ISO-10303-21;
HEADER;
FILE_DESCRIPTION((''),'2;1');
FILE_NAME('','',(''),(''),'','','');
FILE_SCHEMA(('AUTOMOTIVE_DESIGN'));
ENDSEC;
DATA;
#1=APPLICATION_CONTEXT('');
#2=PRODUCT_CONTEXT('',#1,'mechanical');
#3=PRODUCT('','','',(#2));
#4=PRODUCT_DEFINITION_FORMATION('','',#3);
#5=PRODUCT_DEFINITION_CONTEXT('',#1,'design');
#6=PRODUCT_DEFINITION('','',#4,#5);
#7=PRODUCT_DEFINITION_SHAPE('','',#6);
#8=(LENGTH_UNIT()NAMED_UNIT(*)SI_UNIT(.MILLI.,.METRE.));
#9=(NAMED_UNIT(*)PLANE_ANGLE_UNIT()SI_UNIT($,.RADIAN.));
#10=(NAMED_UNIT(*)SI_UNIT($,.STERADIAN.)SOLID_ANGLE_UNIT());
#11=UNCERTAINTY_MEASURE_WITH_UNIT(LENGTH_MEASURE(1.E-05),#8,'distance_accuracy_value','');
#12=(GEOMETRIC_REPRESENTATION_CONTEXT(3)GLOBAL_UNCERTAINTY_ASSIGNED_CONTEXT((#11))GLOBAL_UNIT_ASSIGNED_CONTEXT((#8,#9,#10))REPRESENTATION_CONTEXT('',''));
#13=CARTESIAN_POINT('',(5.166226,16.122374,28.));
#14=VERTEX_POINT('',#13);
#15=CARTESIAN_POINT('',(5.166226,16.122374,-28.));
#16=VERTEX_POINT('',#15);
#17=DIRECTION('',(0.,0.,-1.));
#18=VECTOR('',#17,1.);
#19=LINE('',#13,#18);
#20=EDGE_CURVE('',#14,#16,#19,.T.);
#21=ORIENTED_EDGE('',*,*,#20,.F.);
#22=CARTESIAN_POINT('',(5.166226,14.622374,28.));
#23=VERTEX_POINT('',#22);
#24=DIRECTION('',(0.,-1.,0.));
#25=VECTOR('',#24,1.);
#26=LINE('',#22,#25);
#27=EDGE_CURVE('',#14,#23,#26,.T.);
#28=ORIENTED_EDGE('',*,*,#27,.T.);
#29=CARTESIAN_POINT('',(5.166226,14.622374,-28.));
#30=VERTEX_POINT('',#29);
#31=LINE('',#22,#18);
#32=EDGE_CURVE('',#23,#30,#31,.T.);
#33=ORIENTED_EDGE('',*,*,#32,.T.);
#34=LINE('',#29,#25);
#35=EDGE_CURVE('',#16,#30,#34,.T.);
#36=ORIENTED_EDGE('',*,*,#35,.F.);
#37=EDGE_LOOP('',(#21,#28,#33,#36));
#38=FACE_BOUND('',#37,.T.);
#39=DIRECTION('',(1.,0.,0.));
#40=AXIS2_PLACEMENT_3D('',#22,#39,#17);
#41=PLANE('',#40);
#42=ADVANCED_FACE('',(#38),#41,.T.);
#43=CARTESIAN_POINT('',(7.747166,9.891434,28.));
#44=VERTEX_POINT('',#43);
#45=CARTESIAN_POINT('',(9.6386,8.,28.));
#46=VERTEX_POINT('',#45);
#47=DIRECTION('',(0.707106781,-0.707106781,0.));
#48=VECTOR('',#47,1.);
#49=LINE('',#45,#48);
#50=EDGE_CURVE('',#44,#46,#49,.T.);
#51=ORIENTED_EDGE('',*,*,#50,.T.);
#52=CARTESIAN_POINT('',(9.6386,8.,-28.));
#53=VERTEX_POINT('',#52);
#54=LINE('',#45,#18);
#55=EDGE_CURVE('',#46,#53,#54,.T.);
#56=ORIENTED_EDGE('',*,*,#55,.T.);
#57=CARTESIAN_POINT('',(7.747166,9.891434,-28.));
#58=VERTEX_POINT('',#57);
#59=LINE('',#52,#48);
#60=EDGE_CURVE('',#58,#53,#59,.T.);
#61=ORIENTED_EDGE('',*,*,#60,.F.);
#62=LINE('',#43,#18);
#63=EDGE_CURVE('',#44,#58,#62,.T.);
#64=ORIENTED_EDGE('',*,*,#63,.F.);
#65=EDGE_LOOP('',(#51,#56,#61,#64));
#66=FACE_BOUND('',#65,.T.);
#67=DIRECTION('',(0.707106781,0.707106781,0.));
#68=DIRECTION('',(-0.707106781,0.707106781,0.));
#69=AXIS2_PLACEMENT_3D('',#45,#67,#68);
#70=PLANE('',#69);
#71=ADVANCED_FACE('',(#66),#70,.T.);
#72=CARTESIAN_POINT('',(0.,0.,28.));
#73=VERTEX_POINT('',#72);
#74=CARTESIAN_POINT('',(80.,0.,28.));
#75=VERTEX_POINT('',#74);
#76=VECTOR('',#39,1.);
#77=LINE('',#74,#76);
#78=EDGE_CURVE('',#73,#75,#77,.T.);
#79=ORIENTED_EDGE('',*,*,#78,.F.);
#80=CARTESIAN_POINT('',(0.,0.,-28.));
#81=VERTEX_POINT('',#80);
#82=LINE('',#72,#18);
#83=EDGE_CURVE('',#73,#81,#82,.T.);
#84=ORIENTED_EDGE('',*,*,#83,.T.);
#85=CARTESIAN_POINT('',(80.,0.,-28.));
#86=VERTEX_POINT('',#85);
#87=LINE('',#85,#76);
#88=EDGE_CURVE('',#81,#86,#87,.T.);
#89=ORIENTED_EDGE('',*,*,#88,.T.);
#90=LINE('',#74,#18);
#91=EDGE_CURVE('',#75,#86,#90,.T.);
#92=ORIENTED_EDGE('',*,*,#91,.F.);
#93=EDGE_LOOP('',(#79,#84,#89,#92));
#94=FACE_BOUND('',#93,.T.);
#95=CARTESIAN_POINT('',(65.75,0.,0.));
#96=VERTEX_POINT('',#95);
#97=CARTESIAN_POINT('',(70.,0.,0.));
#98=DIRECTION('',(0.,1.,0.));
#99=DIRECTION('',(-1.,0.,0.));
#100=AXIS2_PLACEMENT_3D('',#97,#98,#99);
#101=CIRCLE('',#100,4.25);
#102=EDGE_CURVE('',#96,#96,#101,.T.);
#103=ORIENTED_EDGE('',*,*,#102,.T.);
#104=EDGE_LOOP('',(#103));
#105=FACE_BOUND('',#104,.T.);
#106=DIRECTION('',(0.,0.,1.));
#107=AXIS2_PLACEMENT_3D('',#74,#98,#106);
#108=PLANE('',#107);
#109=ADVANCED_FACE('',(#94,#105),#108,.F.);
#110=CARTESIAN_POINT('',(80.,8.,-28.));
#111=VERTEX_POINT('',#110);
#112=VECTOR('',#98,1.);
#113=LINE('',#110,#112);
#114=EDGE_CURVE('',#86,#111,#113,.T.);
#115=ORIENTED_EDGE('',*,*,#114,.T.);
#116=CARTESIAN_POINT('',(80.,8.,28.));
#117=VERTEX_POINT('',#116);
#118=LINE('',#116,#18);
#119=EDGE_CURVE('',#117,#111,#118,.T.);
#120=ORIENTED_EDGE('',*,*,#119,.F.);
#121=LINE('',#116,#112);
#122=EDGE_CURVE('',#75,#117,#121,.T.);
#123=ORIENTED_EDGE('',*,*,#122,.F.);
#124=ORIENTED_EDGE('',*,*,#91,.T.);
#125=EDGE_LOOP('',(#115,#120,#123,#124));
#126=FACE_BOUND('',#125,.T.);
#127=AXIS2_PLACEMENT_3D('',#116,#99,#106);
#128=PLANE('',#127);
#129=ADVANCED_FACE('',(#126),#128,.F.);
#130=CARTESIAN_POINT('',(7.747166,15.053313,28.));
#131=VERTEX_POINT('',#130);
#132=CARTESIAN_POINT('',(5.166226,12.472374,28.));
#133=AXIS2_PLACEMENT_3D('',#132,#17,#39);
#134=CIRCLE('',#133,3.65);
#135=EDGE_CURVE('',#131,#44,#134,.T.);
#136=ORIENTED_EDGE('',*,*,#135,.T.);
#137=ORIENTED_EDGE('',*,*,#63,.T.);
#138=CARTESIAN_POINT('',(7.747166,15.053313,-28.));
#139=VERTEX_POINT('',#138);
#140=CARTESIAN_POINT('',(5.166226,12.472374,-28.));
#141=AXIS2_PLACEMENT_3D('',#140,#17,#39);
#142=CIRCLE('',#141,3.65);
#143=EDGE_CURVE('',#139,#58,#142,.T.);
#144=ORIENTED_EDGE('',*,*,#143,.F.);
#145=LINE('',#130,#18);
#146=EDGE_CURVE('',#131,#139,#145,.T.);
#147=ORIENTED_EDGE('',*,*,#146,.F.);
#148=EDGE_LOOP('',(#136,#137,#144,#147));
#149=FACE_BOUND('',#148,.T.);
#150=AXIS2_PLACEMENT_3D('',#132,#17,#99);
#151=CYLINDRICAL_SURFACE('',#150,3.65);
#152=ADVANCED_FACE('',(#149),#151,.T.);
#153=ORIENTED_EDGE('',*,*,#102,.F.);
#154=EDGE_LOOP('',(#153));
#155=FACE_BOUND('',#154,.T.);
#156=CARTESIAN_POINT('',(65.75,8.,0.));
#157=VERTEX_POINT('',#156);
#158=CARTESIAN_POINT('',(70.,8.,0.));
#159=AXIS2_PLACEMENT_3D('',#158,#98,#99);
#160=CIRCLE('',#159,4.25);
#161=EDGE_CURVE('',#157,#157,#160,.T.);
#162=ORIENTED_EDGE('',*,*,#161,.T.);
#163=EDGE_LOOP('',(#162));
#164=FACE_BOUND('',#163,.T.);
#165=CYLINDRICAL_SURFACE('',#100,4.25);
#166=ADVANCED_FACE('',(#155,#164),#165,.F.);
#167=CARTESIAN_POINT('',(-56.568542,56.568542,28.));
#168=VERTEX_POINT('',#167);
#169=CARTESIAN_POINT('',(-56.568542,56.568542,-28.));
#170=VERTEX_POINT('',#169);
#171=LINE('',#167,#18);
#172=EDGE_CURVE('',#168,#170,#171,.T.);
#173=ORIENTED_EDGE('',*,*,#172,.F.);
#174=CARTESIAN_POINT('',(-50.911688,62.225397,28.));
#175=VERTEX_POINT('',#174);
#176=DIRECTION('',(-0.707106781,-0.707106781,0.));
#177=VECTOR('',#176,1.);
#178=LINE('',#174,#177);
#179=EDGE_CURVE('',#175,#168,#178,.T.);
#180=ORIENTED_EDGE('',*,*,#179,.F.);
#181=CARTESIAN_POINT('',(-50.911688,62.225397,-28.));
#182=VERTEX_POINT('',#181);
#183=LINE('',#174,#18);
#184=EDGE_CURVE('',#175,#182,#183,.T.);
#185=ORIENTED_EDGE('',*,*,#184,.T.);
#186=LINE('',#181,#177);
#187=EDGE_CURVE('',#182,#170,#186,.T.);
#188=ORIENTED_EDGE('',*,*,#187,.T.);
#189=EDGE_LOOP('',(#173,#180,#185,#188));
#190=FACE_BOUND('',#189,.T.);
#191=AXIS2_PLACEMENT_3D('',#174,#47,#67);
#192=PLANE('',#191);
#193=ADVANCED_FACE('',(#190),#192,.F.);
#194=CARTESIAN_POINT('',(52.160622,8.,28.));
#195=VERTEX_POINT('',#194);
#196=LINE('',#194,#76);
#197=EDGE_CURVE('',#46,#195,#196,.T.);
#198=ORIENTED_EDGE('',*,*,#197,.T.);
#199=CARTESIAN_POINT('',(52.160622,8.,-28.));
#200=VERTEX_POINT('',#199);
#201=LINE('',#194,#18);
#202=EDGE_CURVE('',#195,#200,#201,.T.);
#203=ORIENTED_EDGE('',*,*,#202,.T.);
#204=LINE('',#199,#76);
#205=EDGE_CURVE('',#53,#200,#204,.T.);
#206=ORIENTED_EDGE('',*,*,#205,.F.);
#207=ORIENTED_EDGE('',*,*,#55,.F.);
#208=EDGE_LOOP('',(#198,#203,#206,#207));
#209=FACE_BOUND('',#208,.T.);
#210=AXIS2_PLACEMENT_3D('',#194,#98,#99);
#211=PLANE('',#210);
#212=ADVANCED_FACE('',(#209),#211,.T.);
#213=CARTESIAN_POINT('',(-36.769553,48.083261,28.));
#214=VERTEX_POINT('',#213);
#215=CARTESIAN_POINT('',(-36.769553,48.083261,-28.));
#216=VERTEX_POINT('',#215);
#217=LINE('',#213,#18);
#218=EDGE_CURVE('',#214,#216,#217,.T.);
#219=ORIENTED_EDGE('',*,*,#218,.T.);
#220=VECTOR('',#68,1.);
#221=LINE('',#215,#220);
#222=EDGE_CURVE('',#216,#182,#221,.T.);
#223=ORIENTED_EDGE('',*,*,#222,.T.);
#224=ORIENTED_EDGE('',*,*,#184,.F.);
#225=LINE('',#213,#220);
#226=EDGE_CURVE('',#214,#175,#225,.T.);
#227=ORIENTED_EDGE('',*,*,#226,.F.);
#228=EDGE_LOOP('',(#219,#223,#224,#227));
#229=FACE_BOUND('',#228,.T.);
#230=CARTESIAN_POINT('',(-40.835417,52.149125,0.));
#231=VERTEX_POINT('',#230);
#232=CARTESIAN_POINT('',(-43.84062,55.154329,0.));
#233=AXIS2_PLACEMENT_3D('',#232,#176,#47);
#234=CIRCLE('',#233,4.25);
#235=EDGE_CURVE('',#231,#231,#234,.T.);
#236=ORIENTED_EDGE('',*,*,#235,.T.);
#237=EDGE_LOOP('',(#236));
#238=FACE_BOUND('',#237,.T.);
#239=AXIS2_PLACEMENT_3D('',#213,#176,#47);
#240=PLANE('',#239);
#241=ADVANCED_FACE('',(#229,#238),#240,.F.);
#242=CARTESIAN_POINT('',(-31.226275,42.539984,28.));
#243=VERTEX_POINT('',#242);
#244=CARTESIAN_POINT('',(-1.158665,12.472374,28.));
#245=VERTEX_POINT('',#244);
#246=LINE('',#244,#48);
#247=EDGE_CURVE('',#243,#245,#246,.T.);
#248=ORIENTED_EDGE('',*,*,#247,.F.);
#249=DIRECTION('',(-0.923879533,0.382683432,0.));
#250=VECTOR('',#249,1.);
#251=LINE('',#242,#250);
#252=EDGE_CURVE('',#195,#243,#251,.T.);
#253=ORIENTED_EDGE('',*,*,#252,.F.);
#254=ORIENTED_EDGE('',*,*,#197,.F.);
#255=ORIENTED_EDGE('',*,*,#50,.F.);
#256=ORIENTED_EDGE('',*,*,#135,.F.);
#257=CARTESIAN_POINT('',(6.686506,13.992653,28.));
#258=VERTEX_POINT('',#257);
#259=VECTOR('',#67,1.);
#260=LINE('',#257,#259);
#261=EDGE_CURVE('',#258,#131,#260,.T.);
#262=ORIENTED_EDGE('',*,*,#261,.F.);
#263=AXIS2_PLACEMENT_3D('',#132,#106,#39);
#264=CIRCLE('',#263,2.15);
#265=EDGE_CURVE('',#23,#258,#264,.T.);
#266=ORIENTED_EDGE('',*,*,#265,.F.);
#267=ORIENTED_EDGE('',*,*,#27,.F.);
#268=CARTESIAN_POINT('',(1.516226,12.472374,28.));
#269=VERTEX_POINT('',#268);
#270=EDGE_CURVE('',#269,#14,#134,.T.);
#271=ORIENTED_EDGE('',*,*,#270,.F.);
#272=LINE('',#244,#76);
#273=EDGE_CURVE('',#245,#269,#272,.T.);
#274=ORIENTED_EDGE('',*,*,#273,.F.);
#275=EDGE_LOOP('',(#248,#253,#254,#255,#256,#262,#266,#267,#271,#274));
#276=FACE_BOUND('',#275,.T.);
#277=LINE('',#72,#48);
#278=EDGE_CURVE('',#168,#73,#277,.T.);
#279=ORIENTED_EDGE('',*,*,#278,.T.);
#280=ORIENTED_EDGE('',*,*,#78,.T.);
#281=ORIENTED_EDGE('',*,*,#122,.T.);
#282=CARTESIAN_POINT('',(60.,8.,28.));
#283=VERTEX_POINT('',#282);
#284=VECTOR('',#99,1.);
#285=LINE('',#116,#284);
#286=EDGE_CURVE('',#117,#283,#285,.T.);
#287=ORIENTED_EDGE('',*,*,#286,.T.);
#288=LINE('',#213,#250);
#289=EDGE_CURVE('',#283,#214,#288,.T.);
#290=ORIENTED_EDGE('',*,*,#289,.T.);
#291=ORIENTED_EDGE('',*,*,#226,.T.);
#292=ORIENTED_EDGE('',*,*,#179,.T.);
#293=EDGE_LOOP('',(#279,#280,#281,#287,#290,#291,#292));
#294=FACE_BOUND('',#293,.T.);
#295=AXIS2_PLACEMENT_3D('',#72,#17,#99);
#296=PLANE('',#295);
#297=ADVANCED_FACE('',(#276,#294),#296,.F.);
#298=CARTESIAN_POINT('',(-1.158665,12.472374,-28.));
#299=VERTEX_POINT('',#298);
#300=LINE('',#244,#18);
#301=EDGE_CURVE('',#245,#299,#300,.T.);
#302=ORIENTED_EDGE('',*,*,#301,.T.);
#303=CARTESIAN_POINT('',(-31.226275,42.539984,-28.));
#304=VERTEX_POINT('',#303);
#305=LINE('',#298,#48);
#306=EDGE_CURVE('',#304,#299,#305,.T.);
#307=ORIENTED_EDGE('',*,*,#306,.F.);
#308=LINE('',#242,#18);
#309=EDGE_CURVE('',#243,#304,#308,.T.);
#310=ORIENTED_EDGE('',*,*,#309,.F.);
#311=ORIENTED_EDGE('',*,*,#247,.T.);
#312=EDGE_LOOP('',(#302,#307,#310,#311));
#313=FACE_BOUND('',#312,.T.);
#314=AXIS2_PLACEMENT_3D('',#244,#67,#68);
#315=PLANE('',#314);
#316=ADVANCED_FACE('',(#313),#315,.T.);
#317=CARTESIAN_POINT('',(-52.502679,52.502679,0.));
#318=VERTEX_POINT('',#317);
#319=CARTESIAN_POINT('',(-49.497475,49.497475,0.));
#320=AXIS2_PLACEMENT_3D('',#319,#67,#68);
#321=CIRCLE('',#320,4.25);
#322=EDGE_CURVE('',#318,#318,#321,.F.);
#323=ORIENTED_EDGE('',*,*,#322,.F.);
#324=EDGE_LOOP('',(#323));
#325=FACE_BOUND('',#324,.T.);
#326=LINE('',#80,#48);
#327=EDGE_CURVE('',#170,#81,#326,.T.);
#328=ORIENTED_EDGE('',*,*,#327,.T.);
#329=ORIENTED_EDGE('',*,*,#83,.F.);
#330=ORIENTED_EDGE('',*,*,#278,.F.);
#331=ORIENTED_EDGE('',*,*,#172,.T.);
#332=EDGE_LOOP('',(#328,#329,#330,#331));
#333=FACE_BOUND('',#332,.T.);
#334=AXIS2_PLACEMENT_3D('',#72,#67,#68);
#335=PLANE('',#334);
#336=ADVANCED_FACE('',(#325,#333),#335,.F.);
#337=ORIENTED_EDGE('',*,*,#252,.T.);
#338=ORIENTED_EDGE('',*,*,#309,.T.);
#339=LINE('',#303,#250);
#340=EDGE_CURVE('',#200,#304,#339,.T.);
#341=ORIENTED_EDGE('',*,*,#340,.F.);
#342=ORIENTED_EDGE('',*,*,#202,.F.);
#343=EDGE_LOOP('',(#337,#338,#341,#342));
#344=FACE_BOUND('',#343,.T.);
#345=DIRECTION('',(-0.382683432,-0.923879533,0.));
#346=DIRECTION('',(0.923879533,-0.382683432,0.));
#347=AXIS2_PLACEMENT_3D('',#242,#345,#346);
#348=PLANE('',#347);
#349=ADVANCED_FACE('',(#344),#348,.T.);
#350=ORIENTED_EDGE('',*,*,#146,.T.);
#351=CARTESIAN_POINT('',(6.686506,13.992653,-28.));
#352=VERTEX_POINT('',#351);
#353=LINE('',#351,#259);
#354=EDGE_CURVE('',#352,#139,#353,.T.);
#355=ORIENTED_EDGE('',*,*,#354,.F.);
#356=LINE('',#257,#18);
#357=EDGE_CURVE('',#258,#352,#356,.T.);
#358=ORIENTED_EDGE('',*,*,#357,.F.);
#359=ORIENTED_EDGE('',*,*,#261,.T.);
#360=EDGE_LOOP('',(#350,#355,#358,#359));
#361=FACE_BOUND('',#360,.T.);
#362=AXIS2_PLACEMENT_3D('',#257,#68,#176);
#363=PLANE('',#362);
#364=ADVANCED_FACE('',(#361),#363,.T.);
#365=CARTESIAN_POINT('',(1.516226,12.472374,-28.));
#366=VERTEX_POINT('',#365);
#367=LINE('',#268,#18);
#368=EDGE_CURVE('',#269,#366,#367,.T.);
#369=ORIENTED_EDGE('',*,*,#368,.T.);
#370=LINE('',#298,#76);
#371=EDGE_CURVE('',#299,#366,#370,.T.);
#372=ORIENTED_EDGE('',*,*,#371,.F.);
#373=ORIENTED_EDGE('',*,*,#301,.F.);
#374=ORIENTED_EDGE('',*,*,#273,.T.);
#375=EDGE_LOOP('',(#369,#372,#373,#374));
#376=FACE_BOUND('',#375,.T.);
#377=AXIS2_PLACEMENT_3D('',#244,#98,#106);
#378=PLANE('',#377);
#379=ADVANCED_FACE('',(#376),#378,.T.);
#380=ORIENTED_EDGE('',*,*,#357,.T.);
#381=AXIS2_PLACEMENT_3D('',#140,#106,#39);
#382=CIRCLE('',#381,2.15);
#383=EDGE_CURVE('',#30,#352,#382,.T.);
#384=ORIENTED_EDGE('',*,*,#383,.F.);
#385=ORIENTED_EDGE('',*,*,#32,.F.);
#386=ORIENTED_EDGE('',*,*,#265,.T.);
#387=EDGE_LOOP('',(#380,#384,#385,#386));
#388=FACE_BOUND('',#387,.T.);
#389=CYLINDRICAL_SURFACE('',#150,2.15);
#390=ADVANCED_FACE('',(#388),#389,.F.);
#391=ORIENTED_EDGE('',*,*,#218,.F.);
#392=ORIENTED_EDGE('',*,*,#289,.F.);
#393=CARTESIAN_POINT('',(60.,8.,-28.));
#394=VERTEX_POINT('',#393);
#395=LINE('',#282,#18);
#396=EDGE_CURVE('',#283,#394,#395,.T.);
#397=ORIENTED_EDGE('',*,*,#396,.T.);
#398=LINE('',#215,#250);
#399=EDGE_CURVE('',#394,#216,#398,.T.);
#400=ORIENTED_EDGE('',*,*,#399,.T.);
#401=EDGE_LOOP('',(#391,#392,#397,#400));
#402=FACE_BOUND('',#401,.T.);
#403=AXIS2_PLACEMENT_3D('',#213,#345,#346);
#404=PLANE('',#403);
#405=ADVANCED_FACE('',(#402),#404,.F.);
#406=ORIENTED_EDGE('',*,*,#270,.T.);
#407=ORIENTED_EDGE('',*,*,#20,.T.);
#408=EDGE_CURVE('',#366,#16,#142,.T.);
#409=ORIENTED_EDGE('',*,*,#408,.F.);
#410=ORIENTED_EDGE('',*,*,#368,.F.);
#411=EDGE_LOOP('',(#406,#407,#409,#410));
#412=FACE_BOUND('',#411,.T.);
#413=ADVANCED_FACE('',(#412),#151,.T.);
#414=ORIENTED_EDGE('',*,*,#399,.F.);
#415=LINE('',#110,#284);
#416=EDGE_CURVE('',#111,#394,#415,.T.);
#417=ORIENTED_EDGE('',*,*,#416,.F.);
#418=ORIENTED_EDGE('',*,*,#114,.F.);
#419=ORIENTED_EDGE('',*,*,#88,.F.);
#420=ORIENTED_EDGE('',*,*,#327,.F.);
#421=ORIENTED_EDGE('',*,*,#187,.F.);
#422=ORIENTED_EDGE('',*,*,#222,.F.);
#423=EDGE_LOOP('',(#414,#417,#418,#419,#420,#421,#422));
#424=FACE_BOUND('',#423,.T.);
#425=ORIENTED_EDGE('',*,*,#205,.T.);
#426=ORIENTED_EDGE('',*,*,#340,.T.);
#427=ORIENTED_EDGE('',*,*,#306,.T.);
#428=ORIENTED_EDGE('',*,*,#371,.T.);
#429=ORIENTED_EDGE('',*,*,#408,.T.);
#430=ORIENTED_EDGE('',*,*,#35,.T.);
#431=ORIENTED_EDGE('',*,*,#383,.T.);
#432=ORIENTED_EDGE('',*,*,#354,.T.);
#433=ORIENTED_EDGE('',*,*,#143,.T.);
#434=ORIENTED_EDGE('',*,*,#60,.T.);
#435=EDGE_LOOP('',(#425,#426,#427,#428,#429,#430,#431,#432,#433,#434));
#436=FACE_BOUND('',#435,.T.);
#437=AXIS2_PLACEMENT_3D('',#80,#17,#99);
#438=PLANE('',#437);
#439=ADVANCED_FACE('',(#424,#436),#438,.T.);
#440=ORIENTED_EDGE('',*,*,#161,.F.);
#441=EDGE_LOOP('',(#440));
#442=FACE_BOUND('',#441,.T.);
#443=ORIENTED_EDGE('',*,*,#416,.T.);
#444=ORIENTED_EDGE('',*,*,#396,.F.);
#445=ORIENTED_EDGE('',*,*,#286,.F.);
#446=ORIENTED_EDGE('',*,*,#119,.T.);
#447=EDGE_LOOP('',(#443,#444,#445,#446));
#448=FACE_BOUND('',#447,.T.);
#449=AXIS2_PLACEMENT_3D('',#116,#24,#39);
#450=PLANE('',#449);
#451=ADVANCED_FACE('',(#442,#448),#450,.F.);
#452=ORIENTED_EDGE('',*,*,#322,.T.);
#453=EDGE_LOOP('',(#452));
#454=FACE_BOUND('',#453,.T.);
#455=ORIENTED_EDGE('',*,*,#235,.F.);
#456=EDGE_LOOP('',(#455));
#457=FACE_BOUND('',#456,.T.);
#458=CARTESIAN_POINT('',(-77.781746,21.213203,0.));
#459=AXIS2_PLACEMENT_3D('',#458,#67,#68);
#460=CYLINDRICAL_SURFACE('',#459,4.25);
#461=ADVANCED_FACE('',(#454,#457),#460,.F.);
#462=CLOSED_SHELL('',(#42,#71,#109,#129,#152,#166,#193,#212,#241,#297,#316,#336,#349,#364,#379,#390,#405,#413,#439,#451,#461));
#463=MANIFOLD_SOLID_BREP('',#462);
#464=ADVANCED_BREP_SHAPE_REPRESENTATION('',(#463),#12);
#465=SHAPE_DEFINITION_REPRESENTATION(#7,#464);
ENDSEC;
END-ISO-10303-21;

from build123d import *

# Parameters (mm, degrees)
EXTRUDE_1_DEPTH     = 28
SKETCH_3_R          = 4.25
CUT_EXTRUDE_1_DEPTH = 101.620045975


with BuildPart() as part:
    # 草图1 → 凸台-拉伸1 (new, symmetric)
    with BuildSketch(Plane.XY):
        Polygon((80, 0), (0, 0), (-56.568542495, 56.568542495), (-50.911688245, 62.225396744), (-36.769552622, 48.083261121), (60, 8), (80, 8), align=None)
        with BuildLine():
            Line((52.160622211, 8), (9.638600026, 8))
            Line((9.638600026, 8), (7.747166088, 9.891433938))
            ThreePointArc((7.747166088, 9.891433938), (8.816226337, 12.472373689), (7.747166088, 15.05331344))
            Line((7.747166088, 15.05331344), (6.686505916, 13.992653268))
            ThreePointArc((6.686505916, 13.992653268), (4.343456957, 10.486032694), (5.166226337, 14.622373689))
            Line((5.166226337, 14.622373689), (5.166226337, 16.122373689))
            ThreePointArc((5.166226337, 16.122373689), (2.585286586, 15.05331344), (1.516226337, 12.472373689))
            Line((1.516226337, 12.472373689), (-1.15866519, 12.472373689))
            Line((-1.15866519, 12.472373689), (-31.226275427, 42.539983926))
            Line((-31.226275427, 42.539983926), (52.160622211, 8))
        make_face(mode=Mode.SUBTRACT)
    extrude(amount=EXTRUDE_1_DEPTH, both=True)

    # 草图3 → 切除-拉伸1 (cut, through all)
    with BuildSketch(Plane(origin=(0, 8, 0), x_dir=(1, 0, 0), z_dir=(0, 1, 0))):
        with Locations(Location((70, 0, 0), (0, 0, 180))):
            Circle(SKETCH_3_R)
    cut_extrude_1 = extrude(amount=-CUT_EXTRUDE_1_DEPTH, mode=Mode.SUBTRACT)

    # 镜向1: 切除-拉伸1 across plane
    add(cut_extrude_1.mirror(Plane(origin=(0, 0, 0), x_dir=(0, 0, 1), z_dir=(-0.9238795325112867, 0.3826834323650898, 0))), mode=Mode.SUBTRACT)


solid = part.part
